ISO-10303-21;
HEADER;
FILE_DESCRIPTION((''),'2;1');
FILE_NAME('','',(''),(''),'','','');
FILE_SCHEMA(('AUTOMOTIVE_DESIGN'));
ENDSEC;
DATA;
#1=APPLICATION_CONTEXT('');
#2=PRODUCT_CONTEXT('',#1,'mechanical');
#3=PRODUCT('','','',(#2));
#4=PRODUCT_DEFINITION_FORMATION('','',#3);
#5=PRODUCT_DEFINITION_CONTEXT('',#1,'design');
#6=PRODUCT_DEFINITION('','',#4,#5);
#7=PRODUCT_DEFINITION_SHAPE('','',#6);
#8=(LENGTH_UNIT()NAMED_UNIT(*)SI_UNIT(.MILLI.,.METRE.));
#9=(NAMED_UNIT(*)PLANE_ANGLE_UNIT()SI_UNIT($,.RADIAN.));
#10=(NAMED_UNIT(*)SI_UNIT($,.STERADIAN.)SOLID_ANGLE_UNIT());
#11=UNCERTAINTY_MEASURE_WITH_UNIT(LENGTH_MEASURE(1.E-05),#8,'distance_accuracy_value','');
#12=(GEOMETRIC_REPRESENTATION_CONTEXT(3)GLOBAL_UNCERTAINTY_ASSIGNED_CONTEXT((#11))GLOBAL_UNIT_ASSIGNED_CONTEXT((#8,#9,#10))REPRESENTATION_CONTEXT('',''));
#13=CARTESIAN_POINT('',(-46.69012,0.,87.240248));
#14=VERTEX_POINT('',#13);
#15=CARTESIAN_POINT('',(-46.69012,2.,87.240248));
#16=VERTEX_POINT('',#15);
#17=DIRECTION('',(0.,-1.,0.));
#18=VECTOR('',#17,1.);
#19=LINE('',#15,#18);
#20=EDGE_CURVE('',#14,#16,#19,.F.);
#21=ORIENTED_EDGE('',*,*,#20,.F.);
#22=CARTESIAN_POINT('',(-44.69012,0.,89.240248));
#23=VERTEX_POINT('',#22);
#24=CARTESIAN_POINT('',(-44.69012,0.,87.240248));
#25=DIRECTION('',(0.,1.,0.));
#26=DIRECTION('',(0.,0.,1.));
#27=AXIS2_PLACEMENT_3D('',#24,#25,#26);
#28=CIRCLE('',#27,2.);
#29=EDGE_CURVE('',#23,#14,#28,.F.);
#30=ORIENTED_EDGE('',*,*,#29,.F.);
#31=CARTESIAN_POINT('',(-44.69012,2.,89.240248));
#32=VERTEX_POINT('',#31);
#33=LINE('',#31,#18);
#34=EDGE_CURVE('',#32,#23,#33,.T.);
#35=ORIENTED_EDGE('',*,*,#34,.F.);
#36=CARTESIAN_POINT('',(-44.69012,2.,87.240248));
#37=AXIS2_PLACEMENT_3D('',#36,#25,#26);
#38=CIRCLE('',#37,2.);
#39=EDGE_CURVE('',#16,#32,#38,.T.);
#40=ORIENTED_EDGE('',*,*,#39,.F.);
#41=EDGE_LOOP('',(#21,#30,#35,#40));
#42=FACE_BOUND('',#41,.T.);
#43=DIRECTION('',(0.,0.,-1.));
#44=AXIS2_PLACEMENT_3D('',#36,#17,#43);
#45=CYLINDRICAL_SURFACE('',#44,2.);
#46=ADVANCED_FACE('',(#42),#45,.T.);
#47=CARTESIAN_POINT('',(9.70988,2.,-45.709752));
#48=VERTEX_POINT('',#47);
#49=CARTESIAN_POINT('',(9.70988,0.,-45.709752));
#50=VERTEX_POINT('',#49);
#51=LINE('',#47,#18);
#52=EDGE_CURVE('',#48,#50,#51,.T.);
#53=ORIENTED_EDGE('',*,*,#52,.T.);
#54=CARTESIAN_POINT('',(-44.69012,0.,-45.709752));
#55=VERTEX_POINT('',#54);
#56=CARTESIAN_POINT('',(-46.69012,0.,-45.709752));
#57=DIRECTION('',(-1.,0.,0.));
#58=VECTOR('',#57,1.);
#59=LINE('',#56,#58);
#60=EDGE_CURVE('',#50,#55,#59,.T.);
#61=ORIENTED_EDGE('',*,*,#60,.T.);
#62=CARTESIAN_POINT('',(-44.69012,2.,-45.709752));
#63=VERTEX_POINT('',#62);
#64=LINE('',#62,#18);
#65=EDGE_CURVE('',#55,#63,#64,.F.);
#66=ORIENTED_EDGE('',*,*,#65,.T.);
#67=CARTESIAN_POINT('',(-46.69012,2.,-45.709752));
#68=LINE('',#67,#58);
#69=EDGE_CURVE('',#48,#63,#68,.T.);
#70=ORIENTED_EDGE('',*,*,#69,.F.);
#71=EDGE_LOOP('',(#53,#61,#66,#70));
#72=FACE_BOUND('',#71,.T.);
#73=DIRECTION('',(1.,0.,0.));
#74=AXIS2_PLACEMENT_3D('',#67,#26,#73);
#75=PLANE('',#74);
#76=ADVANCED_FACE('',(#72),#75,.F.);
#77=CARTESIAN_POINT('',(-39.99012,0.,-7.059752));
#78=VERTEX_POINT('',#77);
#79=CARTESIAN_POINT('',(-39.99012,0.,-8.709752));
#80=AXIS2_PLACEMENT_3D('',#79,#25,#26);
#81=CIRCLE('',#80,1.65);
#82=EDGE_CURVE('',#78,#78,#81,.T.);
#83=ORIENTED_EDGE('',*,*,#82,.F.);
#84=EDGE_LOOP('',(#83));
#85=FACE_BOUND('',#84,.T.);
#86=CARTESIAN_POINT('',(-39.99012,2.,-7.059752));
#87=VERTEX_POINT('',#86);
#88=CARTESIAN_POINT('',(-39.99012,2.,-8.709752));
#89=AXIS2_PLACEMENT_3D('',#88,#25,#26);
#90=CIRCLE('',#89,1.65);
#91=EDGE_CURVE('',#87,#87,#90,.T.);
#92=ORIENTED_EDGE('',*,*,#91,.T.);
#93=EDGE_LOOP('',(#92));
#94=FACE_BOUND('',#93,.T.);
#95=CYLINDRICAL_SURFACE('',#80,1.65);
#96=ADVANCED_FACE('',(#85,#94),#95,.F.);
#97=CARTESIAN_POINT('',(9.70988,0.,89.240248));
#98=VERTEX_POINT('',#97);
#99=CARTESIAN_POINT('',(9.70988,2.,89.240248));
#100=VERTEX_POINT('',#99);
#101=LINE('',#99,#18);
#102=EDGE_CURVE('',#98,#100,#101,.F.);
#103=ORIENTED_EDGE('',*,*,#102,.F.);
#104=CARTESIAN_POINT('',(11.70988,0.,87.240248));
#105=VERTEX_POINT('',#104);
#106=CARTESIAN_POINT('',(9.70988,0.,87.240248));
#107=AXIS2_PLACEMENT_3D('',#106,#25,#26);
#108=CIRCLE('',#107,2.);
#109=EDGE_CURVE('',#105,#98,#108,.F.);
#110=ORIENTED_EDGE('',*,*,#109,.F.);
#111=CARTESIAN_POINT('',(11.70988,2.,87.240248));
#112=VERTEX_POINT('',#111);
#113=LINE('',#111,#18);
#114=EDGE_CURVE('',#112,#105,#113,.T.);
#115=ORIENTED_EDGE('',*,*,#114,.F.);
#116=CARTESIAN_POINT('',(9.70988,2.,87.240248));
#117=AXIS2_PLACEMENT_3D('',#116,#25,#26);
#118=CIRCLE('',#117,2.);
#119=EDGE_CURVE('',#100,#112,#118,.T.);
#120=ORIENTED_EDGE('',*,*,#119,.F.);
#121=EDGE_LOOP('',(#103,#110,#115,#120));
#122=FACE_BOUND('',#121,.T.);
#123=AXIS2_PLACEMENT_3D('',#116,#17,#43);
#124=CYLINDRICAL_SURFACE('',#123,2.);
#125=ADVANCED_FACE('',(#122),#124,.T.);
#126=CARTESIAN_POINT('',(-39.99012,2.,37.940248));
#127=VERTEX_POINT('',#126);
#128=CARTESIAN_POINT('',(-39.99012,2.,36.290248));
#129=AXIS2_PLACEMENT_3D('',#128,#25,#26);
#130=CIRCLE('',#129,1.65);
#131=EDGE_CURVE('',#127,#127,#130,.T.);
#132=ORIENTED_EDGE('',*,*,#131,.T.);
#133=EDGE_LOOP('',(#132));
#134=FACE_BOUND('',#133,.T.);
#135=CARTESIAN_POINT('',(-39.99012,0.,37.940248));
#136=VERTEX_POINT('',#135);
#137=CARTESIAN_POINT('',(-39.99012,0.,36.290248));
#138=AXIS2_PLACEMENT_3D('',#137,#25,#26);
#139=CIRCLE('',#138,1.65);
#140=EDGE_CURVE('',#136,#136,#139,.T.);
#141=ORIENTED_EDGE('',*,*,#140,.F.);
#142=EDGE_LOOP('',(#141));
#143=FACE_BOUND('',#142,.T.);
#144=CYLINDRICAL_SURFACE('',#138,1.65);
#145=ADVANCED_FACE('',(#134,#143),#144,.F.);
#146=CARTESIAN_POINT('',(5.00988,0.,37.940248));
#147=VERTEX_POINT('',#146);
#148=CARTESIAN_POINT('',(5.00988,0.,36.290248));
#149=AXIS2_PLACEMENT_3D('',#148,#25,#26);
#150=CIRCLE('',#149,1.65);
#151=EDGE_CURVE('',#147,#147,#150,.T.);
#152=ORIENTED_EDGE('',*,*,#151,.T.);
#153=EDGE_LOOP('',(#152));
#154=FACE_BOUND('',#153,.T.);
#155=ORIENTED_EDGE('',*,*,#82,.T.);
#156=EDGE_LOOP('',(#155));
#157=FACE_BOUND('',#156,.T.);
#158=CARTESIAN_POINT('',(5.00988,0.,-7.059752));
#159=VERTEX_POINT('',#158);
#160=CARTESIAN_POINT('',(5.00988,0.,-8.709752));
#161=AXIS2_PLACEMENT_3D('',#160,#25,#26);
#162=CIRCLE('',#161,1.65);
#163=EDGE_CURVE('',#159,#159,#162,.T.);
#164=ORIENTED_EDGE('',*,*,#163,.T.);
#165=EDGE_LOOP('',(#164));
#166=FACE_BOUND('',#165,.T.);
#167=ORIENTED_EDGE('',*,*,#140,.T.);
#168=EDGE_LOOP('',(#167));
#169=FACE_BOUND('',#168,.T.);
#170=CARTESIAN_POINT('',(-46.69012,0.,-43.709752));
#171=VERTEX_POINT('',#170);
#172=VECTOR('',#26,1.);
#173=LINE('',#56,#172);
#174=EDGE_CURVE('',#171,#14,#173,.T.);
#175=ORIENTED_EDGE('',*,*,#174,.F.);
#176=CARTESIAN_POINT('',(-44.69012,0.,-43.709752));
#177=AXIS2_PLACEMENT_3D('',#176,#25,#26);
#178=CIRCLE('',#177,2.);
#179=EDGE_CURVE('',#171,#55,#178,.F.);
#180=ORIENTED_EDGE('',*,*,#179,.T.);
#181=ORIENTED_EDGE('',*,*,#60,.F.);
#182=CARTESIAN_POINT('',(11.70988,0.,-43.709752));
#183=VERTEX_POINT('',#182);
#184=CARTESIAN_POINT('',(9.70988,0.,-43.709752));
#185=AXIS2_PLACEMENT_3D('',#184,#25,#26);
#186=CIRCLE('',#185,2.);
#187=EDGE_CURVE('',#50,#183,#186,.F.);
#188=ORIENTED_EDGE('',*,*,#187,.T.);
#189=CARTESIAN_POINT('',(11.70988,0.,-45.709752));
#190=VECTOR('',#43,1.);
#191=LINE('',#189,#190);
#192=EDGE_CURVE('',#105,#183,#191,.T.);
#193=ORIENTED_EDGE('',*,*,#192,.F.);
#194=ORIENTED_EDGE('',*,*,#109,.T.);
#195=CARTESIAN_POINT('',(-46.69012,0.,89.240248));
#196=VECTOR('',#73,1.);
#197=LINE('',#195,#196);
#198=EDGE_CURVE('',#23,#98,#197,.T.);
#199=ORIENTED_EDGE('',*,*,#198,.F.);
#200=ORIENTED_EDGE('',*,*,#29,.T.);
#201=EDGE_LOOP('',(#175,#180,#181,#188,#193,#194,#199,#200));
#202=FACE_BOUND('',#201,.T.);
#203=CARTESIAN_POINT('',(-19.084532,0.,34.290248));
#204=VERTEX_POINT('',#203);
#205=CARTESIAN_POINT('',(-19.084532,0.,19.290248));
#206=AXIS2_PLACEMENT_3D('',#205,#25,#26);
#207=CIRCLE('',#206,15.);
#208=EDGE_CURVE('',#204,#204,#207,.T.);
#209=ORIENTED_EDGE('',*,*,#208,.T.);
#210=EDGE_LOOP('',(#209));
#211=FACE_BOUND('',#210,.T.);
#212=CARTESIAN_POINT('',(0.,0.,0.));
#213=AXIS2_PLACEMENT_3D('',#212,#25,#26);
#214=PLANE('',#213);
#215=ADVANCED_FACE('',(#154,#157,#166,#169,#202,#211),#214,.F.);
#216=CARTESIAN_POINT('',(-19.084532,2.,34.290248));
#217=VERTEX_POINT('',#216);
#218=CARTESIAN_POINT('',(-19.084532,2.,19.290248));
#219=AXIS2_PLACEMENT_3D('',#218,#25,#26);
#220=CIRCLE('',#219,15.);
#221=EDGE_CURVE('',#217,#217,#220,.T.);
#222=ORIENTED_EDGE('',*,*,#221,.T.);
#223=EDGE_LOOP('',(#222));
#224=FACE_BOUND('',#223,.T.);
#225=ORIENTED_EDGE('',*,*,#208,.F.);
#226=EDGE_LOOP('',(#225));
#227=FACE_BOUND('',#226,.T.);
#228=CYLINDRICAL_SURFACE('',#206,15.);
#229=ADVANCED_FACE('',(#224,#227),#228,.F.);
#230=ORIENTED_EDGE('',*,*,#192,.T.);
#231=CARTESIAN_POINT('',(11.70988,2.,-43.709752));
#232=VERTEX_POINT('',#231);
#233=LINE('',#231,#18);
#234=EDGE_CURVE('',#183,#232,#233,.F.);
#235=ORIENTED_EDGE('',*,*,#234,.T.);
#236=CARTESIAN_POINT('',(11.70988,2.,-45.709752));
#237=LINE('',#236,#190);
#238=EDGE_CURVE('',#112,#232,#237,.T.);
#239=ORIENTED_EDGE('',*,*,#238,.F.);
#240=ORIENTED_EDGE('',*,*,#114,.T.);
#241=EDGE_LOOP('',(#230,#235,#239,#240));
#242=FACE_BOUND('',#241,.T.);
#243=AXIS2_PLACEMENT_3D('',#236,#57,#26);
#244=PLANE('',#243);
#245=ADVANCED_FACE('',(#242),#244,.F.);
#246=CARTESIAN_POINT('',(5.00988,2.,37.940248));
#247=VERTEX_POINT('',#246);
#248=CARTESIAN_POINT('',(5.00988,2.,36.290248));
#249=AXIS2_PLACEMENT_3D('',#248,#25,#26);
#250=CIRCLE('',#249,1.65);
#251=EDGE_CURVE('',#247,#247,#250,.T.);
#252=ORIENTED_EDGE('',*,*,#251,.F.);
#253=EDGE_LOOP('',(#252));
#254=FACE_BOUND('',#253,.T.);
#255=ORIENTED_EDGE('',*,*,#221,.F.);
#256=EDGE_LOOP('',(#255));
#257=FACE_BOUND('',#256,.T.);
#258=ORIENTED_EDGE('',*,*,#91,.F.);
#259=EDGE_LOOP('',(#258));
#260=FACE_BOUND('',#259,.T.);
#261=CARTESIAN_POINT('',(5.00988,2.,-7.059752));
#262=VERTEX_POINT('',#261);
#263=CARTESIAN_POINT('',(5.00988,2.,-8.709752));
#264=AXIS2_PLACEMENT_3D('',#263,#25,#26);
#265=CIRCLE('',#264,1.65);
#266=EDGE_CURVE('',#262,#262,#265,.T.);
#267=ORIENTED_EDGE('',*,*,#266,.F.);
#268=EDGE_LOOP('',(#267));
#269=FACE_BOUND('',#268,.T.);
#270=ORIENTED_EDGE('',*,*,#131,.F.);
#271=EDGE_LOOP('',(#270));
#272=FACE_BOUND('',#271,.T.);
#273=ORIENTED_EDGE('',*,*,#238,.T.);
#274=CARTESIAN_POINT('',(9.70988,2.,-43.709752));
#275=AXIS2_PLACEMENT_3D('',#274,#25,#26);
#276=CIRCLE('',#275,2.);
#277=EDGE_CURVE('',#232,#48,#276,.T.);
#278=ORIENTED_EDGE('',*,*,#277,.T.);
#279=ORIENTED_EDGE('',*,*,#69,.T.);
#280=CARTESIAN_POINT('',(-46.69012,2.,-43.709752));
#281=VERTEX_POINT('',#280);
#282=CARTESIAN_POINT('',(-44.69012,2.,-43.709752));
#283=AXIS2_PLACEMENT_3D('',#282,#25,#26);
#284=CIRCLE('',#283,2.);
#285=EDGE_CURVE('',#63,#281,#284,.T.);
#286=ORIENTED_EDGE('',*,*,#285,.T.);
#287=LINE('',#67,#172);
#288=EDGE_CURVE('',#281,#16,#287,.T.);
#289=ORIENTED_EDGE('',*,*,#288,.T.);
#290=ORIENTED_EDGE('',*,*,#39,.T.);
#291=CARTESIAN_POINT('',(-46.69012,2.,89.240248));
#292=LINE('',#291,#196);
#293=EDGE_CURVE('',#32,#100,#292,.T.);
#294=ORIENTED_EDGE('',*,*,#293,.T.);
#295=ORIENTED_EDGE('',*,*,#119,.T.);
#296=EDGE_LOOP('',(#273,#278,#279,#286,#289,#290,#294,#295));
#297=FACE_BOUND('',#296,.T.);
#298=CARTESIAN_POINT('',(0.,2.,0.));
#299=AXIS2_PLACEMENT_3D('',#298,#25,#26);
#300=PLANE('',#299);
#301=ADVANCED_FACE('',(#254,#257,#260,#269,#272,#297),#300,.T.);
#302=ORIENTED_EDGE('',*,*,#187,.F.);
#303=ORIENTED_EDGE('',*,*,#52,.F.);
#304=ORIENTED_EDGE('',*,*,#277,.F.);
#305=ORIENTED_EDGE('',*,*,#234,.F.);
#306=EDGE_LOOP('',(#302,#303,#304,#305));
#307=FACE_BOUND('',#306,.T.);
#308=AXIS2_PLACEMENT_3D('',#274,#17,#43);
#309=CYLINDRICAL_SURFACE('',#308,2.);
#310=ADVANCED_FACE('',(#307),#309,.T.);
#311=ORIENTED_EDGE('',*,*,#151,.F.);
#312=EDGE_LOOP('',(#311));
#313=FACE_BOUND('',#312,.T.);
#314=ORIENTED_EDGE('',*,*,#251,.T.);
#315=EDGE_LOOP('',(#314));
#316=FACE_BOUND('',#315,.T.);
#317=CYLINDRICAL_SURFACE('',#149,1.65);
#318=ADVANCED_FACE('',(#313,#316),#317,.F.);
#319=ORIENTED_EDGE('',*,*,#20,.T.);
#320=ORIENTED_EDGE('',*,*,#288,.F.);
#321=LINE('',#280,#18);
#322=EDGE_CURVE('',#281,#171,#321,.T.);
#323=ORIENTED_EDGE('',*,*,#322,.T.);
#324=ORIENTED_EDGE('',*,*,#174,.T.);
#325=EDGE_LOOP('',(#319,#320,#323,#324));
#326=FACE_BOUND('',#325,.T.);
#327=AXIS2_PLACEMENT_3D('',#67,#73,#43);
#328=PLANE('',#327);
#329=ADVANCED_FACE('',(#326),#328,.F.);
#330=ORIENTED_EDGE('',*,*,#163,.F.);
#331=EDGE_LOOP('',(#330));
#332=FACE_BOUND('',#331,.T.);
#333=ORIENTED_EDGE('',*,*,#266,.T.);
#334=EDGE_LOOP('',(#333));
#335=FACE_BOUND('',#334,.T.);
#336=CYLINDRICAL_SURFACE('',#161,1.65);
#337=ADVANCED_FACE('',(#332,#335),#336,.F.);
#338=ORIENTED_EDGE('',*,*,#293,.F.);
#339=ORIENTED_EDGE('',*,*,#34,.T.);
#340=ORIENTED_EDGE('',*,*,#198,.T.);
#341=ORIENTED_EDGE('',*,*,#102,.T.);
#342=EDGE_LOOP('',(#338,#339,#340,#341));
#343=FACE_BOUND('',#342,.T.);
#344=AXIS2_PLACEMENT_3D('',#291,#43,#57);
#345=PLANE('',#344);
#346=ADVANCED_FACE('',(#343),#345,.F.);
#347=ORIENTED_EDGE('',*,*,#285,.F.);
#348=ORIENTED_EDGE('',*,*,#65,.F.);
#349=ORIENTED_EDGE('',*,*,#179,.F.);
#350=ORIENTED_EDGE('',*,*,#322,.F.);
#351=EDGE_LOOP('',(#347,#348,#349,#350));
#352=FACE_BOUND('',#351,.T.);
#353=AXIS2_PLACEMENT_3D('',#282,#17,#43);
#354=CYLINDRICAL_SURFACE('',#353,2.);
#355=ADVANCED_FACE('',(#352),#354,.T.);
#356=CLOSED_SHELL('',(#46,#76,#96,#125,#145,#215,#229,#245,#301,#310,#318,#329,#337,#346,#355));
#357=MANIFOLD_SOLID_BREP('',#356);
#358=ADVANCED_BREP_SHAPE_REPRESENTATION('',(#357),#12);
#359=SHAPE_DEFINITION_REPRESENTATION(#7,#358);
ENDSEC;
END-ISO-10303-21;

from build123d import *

# Parameters (mm, degrees)
SKETCH1_W           = 58.4
SKETCH1_H           = 134.95
BOSS_EXTRUDE1_DEPTH = 2
FILLET1_R           = 2
SKETCH2_R           = 1.65
CUT_EXTRUDE1_DEPTH  = 101.736235674
SKETCH3_R           = 15
CUT_EXTRUDE2_DEPTH  = 101.736235674


with BuildPart() as part:
    # Sketch1 → Boss-Extrude1 (new body)
    with BuildSketch(Plane(origin=(0, 0, 0), x_dir=(1, 0, 0), z_dir=(0, 1, 0))):
        with Locations((-17.49012047, -21.765247804)):
            Rectangle(SKETCH1_W, SKETCH1_H)
    extrude(amount=BOSS_EXTRUDE1_DEPTH)

    # Fillet1
    fillet1_edges = [part.edges().sort_by_distance(p)[0] for p in [
        (-46.69012047, 1, -45.709752196),
        (11.70987953, 1, -45.709752196),
        (11.70987953, 1, 89.240247804),
        (-46.69012047, 1, 89.240247804),
    ]]
    fillet(fillet1_edges, radius=FILLET1_R)

    # Sketch2 → Cut-Extrude1 (cut, through all)
    with BuildSketch(Plane(origin=(0, 2, 0), x_dir=(1, 0, 0), z_dir=(0, 1, 0))):
        with Locations(Location((-39.99012047, 8.709752196, 0), (0, 0, 270))):
            Circle(SKETCH2_R)
        with Locations(Location((5.00987953, 8.709752196, 0), (0, 0, 270))):
            Circle(SKETCH2_R)
        with Locations(Location((5.00987953, -36.290247804, 0), (0, 0, 270))):
            Circle(SKETCH2_R)
        with Locations(Location((-39.99012047, -36.290247804, 0), (0, 0, 270))):
            Circle(SKETCH2_R)
    extrude(amount=-CUT_EXTRUDE1_DEPTH, mode=Mode.SUBTRACT)

    # Sketch3 → Cut-Extrude2 (cut, through all)
    with BuildSketch(Plane(origin=(0, 2, 0), x_dir=(1, 0, 0), z_dir=(0, 1, 0))):
        with Locations(Location((-19.084532275, -19.290247804, 0), (0, 0, 270))):
            Circle(SKETCH3_R)
    extrude(amount=-CUT_EXTRUDE2_DEPTH, mode=Mode.SUBTRACT)


solid = part.part
